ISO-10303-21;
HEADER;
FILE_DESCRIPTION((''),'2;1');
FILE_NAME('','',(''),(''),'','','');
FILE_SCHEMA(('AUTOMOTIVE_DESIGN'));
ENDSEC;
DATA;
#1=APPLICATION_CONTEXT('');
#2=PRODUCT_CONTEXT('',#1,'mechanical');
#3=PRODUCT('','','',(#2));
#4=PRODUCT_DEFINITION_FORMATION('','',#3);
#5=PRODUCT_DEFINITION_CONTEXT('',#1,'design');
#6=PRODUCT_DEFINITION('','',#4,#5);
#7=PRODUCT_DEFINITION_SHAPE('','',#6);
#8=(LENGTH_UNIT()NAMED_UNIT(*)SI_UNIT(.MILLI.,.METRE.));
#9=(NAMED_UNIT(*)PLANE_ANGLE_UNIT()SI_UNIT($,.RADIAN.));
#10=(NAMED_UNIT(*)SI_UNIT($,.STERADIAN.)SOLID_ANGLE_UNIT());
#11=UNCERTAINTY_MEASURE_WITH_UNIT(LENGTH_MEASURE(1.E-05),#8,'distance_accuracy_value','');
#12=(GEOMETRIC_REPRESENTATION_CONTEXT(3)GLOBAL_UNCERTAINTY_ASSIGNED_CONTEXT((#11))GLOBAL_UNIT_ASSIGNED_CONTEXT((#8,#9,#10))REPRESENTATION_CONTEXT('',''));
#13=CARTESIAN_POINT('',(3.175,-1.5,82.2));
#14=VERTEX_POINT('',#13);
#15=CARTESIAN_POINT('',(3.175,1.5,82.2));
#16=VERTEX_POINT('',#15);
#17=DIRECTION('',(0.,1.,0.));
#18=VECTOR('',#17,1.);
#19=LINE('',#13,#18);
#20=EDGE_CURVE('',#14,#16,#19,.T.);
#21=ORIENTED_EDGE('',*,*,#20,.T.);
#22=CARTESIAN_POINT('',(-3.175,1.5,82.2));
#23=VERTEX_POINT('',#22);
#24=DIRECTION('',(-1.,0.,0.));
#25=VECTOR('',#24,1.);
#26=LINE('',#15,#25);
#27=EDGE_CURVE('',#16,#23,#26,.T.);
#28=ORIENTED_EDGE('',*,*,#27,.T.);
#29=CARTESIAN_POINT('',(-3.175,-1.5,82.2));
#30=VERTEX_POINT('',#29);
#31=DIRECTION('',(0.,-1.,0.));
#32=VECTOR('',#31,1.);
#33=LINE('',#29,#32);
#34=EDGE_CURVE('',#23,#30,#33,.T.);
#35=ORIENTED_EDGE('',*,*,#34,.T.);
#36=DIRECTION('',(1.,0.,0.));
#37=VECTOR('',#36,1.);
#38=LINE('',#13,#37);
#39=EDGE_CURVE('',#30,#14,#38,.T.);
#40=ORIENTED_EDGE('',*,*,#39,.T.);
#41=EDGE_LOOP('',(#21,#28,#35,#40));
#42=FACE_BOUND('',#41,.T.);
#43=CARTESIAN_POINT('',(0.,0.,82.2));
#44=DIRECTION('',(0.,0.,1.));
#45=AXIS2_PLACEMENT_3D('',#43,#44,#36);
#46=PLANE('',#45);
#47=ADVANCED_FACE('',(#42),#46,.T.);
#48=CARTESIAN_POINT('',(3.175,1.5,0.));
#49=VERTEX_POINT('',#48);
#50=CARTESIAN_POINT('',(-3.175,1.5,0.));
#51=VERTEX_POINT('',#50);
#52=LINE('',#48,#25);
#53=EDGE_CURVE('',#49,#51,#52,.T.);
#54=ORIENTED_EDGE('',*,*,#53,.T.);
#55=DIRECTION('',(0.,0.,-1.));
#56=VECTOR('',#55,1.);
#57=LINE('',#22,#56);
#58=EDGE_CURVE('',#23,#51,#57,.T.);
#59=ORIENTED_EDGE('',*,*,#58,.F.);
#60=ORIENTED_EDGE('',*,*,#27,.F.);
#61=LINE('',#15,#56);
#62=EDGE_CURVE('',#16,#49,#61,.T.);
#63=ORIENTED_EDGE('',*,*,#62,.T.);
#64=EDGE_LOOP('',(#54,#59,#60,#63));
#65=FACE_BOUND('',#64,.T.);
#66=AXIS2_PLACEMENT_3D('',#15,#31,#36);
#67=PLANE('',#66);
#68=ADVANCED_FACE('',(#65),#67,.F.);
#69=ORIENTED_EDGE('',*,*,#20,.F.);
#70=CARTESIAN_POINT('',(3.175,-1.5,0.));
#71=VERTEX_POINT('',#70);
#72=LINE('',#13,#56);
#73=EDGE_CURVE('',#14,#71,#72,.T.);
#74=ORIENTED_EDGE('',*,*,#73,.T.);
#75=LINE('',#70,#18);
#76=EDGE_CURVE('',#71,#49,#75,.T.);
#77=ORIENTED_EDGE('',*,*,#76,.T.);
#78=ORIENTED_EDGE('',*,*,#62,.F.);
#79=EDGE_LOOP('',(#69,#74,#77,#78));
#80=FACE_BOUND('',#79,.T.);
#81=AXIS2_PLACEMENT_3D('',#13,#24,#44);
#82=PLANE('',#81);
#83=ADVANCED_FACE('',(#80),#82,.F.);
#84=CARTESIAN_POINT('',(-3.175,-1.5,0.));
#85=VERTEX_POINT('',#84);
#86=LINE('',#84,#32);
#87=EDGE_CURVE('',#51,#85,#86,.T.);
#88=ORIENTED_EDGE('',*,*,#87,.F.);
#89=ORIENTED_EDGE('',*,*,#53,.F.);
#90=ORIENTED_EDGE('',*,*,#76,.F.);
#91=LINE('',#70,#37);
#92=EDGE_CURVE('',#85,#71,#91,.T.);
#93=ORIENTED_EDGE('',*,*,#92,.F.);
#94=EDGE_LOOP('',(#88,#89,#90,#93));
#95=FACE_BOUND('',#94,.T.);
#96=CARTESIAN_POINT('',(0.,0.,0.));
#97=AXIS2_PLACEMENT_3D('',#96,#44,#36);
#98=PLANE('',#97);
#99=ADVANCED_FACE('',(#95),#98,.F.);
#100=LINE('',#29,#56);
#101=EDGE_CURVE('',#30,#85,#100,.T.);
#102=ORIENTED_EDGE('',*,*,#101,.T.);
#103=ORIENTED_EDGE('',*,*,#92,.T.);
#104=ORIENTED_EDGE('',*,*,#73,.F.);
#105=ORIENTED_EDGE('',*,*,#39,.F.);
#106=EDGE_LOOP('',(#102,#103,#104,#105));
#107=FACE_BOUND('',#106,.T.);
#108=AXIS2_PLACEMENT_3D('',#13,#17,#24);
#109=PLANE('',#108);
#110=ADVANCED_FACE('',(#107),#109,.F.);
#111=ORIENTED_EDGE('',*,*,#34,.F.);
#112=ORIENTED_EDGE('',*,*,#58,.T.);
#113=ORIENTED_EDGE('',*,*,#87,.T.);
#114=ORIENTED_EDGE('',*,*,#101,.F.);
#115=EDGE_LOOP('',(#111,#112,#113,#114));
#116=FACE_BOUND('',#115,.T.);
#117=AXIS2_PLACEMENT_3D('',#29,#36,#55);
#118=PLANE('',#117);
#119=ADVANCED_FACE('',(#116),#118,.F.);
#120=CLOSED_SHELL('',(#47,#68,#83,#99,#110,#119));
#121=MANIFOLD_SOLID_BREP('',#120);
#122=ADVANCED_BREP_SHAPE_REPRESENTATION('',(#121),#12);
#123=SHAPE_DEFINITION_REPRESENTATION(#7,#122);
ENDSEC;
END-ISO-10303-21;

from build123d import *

# Parameters (mm, degrees)
SKETCH1_W           = 6.35
SKETCH1_H           = 3
BOSS_EXTRUDE1_DEPTH = 82.2


with BuildPart() as part:
    # Sketch1 → Boss-Extrude1 (new body)
    with BuildSketch(Plane.XY):
        Rectangle(SKETCH1_W, SKETCH1_H)
    extrude(amount=BOSS_EXTRUDE1_DEPTH)


solid = part.part
